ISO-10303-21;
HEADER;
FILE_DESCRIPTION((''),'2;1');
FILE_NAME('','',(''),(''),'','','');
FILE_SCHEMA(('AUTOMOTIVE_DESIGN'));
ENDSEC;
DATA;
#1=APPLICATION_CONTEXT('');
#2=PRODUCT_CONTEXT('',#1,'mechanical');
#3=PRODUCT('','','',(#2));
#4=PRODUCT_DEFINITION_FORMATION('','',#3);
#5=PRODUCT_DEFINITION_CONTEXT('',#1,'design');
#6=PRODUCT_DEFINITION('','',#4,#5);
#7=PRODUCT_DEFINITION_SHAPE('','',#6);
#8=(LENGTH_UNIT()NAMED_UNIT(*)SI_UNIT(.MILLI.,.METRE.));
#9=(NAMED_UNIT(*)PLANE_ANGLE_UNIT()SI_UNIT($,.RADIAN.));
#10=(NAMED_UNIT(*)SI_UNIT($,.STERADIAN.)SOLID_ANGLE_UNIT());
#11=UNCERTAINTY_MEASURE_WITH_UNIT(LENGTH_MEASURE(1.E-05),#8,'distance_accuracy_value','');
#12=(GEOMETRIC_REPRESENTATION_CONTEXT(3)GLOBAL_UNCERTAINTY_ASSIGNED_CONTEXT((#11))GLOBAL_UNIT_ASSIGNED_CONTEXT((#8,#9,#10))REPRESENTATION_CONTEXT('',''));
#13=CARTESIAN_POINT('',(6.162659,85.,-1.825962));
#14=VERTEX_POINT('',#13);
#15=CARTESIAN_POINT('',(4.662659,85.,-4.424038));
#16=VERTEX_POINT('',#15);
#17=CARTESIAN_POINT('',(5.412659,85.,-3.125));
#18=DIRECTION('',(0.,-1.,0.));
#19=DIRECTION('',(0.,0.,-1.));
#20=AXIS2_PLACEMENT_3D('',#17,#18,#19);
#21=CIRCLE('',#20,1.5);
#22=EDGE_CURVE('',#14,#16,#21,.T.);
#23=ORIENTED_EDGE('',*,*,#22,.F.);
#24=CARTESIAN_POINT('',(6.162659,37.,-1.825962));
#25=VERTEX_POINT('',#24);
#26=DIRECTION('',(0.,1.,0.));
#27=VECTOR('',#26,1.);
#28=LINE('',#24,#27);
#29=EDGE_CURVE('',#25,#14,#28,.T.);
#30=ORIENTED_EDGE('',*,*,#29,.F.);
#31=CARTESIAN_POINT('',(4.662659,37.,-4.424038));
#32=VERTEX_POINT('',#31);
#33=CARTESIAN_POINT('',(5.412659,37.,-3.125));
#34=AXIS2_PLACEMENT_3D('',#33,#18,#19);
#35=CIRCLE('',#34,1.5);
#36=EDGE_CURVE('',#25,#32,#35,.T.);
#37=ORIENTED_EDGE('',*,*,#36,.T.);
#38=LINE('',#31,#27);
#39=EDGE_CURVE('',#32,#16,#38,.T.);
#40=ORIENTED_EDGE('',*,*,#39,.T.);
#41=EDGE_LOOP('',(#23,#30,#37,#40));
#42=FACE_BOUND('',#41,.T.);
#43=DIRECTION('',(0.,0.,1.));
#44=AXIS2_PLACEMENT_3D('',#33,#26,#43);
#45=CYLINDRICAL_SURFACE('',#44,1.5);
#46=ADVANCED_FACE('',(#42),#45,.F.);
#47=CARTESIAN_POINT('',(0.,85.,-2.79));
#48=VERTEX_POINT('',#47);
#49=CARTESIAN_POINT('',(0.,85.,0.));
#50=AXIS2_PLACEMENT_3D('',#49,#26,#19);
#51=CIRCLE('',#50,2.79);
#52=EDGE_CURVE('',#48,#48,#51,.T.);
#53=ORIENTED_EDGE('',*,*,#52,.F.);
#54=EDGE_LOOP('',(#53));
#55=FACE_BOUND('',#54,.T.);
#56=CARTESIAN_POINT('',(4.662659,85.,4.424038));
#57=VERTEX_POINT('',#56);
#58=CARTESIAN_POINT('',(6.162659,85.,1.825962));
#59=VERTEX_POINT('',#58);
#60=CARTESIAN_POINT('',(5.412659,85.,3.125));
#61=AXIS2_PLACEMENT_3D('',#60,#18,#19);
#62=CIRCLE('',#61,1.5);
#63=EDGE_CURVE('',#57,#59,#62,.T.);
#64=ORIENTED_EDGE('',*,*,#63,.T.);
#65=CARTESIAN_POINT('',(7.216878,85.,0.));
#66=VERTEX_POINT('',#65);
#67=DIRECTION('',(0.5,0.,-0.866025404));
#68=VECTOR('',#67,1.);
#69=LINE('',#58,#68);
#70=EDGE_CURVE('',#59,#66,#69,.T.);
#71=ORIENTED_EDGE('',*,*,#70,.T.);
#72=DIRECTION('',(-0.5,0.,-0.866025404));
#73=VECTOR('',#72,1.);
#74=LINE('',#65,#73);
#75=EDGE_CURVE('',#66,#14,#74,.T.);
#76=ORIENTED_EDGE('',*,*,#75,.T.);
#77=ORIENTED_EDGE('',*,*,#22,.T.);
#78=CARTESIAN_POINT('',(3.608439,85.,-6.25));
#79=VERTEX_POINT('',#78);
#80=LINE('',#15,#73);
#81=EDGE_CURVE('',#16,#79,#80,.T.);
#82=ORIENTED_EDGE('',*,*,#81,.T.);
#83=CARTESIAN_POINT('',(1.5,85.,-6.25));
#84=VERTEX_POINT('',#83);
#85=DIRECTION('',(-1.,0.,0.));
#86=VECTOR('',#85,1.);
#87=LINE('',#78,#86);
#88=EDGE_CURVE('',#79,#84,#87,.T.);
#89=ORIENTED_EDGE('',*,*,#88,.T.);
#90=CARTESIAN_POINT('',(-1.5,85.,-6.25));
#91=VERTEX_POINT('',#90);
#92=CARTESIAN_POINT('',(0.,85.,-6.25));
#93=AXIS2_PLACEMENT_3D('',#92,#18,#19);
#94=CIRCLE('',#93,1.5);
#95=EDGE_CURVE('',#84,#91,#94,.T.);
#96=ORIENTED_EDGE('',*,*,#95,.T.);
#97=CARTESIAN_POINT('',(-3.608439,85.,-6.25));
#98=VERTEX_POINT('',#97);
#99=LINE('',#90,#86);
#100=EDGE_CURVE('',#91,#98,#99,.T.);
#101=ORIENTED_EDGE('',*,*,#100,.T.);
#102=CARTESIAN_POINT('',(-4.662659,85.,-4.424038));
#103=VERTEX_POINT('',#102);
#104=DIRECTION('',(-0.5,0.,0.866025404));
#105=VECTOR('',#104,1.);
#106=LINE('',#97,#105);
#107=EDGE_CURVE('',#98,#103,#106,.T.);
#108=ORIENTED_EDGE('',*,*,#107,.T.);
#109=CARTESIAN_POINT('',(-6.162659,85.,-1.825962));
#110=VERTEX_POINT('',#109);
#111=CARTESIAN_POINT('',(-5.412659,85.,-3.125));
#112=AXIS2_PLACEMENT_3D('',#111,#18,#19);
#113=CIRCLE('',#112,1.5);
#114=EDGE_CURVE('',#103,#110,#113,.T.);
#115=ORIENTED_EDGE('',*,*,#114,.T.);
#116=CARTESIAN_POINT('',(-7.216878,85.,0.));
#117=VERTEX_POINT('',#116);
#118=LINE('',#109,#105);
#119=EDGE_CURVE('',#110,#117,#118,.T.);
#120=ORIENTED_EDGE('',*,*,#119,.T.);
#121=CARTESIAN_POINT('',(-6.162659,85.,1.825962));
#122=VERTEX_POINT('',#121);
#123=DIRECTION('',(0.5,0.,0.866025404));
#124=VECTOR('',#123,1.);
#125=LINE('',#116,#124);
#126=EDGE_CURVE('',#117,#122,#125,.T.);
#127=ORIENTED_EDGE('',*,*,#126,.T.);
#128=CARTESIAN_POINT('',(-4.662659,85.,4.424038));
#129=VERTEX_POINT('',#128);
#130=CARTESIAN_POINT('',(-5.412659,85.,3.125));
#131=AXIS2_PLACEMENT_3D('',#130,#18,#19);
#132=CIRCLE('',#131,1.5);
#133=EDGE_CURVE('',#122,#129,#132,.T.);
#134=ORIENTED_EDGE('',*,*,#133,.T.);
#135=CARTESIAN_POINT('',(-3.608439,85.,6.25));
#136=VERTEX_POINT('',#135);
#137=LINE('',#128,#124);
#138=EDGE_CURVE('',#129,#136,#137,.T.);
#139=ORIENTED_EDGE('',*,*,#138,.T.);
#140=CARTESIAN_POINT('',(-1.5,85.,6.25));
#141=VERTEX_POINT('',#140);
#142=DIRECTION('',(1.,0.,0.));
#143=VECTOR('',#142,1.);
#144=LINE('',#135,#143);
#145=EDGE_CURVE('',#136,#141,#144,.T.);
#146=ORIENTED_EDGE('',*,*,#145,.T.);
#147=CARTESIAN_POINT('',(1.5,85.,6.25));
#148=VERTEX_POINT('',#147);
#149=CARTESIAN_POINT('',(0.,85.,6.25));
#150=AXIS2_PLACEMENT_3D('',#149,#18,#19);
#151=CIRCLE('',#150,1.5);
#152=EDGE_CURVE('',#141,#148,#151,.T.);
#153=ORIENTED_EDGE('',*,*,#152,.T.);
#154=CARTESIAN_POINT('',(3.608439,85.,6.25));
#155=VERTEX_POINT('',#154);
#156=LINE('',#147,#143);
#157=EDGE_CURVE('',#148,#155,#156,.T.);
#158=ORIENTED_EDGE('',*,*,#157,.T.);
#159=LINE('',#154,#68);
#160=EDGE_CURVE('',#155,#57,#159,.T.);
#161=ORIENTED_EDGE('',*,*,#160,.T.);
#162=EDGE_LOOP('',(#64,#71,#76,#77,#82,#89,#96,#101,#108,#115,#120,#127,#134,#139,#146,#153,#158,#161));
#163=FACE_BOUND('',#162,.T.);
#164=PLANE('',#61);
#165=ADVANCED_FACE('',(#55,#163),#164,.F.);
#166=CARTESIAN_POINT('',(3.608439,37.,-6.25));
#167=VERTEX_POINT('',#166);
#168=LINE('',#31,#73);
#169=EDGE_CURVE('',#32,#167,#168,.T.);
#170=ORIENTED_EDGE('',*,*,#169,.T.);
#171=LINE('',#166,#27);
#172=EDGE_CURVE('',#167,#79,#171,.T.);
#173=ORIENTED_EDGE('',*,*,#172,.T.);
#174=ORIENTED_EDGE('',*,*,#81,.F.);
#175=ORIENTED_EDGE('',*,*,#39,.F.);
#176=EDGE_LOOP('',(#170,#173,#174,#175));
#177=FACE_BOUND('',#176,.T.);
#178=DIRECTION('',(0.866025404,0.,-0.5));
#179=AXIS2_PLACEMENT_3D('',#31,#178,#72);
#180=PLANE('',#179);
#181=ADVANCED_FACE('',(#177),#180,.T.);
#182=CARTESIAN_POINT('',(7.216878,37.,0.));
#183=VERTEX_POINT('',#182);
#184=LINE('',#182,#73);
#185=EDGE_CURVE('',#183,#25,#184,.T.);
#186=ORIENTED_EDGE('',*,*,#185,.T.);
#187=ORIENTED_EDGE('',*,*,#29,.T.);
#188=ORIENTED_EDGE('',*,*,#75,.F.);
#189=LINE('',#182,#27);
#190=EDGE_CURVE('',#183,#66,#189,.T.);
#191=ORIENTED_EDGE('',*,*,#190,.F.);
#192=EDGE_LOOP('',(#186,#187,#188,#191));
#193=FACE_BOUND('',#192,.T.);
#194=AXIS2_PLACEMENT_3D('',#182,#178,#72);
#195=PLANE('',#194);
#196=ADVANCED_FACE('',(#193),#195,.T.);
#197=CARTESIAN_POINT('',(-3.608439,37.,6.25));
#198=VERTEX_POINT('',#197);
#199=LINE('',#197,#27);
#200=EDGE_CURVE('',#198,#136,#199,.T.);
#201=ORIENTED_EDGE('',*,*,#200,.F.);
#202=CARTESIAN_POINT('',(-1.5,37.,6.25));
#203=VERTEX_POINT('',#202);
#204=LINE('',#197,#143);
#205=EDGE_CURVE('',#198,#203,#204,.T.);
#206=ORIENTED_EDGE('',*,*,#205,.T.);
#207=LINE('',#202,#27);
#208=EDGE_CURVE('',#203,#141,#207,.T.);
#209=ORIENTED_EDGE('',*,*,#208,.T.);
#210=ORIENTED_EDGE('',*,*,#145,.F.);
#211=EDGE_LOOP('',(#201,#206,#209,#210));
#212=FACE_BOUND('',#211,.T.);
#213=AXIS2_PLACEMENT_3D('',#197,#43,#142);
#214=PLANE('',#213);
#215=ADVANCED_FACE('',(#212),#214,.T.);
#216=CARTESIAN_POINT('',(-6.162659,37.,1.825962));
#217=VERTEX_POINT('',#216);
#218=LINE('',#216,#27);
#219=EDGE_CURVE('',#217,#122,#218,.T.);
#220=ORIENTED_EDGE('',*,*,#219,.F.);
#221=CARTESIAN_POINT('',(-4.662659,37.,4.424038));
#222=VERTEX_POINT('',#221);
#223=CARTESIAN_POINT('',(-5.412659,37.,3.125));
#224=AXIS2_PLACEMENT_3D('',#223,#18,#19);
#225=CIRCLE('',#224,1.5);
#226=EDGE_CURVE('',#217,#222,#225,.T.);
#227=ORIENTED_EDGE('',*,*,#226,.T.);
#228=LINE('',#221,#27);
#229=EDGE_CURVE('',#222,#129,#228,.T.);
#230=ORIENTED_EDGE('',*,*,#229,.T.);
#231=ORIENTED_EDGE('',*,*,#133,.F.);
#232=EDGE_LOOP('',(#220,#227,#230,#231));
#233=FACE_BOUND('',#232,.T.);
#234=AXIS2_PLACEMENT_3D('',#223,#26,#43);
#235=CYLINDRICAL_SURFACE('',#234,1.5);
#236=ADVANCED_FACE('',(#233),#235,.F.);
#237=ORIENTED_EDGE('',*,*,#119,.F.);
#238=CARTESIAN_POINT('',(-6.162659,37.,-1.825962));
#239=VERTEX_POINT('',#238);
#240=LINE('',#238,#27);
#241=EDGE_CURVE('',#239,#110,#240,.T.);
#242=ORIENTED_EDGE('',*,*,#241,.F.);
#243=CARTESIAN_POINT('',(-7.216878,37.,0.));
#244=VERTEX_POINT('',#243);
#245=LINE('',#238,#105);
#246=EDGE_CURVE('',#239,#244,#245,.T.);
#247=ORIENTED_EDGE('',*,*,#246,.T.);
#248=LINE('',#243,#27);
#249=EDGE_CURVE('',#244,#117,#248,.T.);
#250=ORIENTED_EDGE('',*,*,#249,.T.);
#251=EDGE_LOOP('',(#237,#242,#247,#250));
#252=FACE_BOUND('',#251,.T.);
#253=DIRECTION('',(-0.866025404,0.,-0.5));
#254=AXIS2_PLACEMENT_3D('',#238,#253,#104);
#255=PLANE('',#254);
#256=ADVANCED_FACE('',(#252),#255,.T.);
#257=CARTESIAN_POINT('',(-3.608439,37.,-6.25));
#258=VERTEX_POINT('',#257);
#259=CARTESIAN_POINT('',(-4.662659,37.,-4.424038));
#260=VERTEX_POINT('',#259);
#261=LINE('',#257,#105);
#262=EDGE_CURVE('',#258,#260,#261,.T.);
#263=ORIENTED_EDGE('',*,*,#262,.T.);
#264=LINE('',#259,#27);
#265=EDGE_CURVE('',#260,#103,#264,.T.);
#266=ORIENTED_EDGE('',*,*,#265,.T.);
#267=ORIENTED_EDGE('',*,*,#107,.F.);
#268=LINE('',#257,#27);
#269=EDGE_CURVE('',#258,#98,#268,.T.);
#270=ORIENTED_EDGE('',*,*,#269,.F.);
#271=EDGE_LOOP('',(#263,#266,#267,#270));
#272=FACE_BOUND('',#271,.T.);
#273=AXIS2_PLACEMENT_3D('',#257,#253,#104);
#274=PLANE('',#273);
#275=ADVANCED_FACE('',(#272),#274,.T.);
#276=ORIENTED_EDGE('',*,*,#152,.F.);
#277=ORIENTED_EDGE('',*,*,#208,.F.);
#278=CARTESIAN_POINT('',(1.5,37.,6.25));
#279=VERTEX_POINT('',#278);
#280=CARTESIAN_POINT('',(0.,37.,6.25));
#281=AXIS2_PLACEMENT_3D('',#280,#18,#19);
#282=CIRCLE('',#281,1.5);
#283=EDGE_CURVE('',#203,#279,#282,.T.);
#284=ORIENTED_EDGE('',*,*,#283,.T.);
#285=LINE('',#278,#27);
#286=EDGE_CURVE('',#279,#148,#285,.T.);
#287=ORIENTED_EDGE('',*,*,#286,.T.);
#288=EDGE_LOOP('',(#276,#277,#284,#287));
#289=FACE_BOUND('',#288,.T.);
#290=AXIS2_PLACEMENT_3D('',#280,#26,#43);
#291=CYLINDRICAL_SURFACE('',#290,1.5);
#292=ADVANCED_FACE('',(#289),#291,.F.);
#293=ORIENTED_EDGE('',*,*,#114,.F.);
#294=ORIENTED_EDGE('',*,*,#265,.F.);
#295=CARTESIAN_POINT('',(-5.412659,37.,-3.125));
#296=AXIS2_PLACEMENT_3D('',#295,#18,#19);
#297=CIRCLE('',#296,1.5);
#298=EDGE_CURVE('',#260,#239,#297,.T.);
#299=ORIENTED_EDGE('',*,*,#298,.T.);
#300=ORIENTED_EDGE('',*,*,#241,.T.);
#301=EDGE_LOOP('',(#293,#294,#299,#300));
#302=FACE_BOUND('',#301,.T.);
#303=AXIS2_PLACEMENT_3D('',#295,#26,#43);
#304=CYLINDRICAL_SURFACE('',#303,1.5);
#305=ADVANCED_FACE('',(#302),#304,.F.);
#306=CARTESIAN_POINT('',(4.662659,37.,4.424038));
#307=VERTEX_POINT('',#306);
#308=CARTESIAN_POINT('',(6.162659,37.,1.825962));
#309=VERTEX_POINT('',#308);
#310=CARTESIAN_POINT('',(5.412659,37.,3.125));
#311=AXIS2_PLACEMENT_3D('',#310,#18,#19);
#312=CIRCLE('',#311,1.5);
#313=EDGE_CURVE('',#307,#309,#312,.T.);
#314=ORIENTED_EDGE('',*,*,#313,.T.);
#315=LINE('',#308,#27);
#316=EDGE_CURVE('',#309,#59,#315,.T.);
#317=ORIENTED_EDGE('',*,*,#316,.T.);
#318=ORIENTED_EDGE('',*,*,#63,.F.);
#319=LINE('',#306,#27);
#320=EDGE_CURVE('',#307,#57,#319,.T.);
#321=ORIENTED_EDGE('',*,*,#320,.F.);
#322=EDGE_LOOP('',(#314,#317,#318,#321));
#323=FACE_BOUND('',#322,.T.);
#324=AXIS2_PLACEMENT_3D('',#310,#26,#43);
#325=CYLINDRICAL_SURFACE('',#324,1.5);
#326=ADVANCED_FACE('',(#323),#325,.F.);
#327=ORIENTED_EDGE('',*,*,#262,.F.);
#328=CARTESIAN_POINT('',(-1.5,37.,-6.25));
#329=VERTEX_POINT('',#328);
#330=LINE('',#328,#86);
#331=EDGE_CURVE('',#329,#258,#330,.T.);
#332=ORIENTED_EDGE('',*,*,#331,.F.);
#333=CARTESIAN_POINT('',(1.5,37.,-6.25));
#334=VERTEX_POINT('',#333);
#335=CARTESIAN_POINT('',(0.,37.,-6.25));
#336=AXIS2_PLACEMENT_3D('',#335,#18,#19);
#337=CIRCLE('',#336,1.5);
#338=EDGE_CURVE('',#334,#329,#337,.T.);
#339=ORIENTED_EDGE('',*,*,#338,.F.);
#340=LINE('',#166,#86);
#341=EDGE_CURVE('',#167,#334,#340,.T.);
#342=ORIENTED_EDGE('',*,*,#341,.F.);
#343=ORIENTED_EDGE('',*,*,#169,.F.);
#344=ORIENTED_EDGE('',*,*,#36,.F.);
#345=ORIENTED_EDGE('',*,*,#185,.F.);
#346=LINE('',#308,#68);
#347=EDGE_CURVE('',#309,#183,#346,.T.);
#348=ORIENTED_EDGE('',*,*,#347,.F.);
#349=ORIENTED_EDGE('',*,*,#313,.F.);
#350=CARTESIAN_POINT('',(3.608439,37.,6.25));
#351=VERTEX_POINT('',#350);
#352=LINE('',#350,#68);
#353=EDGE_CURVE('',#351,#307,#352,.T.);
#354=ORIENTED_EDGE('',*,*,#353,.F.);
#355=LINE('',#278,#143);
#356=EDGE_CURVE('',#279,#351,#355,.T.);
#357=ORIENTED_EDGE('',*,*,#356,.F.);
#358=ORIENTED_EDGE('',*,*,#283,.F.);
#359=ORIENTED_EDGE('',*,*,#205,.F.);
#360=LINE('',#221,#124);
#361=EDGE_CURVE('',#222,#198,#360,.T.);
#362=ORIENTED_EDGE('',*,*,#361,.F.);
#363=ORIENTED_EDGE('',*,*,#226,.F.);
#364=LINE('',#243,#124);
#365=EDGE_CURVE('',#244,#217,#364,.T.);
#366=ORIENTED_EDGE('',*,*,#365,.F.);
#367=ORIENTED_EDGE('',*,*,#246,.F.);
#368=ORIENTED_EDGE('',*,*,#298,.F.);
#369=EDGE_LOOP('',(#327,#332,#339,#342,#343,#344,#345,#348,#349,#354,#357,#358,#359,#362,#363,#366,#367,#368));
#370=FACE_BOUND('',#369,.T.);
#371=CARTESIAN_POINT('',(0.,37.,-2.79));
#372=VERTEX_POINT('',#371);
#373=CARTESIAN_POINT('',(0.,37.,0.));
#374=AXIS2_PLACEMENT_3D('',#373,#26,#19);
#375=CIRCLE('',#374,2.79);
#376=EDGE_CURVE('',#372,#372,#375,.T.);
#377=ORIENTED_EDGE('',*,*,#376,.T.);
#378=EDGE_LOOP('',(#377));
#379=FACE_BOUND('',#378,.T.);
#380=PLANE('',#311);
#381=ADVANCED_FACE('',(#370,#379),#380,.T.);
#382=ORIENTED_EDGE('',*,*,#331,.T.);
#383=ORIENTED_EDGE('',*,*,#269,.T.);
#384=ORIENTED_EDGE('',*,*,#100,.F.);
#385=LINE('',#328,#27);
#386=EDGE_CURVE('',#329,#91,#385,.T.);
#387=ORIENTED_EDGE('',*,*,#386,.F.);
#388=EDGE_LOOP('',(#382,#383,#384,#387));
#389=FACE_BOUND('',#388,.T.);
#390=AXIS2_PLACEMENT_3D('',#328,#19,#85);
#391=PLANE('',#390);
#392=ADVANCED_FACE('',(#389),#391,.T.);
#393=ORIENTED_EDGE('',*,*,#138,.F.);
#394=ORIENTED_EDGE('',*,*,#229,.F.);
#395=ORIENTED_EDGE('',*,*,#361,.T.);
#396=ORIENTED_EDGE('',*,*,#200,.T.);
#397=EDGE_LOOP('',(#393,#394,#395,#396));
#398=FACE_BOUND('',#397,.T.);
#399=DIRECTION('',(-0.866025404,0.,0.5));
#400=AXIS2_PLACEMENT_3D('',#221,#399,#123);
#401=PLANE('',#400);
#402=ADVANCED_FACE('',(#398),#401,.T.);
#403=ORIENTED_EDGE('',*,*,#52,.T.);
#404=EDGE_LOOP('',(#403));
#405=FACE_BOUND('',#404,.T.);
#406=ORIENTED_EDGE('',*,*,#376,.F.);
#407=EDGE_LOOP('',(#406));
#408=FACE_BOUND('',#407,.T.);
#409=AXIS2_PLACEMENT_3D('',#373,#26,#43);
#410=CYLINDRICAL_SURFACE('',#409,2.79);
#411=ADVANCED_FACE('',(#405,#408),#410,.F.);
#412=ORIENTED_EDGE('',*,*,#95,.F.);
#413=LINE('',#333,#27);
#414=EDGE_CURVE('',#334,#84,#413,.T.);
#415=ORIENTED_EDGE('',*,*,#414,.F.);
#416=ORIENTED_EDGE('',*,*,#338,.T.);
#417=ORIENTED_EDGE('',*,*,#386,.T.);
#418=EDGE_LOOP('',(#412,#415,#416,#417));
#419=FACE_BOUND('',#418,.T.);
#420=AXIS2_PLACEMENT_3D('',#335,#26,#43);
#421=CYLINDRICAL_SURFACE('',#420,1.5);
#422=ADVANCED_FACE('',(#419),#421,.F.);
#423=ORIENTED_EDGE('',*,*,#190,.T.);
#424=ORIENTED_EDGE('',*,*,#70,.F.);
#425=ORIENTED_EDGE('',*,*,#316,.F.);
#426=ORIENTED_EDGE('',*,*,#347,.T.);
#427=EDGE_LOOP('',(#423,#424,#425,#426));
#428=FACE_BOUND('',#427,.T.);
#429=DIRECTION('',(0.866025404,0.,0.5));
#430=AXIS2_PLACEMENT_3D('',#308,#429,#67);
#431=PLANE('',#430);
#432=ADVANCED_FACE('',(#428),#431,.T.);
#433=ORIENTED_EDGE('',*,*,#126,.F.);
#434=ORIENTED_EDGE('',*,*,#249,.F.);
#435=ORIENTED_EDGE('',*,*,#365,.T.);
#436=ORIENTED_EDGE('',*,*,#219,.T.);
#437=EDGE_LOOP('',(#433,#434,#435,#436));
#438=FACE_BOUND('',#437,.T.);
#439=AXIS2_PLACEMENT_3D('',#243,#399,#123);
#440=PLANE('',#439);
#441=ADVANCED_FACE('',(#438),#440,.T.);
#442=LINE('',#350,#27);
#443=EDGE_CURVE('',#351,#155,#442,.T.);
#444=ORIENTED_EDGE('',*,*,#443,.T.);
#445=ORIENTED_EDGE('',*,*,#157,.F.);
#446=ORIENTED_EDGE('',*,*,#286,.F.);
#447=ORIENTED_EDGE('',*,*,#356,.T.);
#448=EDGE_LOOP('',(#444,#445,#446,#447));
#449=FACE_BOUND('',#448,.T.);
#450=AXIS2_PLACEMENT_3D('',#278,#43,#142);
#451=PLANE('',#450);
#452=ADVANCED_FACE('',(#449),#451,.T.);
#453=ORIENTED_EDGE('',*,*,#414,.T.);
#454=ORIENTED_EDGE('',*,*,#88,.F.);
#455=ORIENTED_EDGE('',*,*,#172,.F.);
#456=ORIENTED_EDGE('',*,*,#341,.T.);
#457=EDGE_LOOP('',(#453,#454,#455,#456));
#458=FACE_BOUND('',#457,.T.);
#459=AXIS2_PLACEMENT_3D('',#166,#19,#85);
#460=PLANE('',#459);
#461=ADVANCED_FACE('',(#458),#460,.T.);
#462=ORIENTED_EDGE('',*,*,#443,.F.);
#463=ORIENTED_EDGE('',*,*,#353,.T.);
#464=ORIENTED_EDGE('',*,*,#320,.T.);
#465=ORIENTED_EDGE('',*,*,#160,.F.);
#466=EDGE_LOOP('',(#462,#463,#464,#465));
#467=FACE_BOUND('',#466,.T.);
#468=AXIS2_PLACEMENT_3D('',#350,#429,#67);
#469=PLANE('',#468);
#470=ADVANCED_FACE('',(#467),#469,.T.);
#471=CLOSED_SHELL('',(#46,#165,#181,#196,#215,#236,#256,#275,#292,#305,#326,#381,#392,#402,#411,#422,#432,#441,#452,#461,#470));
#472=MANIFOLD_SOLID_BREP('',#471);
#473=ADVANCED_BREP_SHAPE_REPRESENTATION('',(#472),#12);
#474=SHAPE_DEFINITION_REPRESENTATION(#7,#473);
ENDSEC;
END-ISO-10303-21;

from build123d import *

# Parameters (mm, degrees)
ESBO_O1_R                = 2.79
RESSALTO_EXTRUS_O1_DEPTH = 48


with BuildPart() as part:
    # Esboço1 → Ressalto-extrusão1 (new body)
    with BuildSketch(Plane(origin=(0, 85, 0), x_dir=(1, 0, 0), z_dir=(0, 1, 0))):
        with BuildLine():
            Line((6.162658774, -1.825961894), (7.216878365, 0))
            Line((7.216878365, 0), (6.162658774, 1.825961894))
            ThreePointArc((6.162658774, 1.825961894), (4.113620668, 2.375), (4.662658774, 4.424038106))
            Line((4.662658774, 4.424038106), (3.608439182, 6.25))
            Line((3.608439182, 6.25), (1.5, 6.25))
            ThreePointArc((1.5, 6.25), (0, 4.75), (-1.5, 6.25))
            Line((-1.5, 6.25), (-3.608439182, 6.25))
            Line((-3.608439182, 6.25), (-4.662658774, 4.424038106))
            ThreePointArc((-4.662658774, 4.424038106), (-4.113620668, 2.375), (-6.162658774, 1.825961894))
            Line((-6.162658774, 1.825961894), (-7.216878365, 0))
            Line((-7.216878365, 0), (-6.162658774, -1.825961894))
            ThreePointArc((-6.162658774, -1.825961894), (-4.113620668, -2.375), (-4.662658774, -4.424038106))
            Line((-4.662658774, -4.424038106), (-3.608439182, -6.25))
            Line((-3.608439182, -6.25), (-1.5, -6.25))
            ThreePointArc((-1.5, -6.25), (0, -4.75), (1.5, -6.25))
            Line((1.5, -6.25), (3.608439182, -6.25))
            Line((3.608439182, -6.25), (4.662658774, -4.424038106))
            ThreePointArc((4.662658774, -4.424038106), (4.113620668, -2.375), (6.162658774, -1.825961894))
        make_face()
        Circle(ESBO_O1_R, mode=Mode.SUBTRACT)
    extrude(amount=-RESSALTO_EXTRUS_O1_DEPTH)


solid = part.part
